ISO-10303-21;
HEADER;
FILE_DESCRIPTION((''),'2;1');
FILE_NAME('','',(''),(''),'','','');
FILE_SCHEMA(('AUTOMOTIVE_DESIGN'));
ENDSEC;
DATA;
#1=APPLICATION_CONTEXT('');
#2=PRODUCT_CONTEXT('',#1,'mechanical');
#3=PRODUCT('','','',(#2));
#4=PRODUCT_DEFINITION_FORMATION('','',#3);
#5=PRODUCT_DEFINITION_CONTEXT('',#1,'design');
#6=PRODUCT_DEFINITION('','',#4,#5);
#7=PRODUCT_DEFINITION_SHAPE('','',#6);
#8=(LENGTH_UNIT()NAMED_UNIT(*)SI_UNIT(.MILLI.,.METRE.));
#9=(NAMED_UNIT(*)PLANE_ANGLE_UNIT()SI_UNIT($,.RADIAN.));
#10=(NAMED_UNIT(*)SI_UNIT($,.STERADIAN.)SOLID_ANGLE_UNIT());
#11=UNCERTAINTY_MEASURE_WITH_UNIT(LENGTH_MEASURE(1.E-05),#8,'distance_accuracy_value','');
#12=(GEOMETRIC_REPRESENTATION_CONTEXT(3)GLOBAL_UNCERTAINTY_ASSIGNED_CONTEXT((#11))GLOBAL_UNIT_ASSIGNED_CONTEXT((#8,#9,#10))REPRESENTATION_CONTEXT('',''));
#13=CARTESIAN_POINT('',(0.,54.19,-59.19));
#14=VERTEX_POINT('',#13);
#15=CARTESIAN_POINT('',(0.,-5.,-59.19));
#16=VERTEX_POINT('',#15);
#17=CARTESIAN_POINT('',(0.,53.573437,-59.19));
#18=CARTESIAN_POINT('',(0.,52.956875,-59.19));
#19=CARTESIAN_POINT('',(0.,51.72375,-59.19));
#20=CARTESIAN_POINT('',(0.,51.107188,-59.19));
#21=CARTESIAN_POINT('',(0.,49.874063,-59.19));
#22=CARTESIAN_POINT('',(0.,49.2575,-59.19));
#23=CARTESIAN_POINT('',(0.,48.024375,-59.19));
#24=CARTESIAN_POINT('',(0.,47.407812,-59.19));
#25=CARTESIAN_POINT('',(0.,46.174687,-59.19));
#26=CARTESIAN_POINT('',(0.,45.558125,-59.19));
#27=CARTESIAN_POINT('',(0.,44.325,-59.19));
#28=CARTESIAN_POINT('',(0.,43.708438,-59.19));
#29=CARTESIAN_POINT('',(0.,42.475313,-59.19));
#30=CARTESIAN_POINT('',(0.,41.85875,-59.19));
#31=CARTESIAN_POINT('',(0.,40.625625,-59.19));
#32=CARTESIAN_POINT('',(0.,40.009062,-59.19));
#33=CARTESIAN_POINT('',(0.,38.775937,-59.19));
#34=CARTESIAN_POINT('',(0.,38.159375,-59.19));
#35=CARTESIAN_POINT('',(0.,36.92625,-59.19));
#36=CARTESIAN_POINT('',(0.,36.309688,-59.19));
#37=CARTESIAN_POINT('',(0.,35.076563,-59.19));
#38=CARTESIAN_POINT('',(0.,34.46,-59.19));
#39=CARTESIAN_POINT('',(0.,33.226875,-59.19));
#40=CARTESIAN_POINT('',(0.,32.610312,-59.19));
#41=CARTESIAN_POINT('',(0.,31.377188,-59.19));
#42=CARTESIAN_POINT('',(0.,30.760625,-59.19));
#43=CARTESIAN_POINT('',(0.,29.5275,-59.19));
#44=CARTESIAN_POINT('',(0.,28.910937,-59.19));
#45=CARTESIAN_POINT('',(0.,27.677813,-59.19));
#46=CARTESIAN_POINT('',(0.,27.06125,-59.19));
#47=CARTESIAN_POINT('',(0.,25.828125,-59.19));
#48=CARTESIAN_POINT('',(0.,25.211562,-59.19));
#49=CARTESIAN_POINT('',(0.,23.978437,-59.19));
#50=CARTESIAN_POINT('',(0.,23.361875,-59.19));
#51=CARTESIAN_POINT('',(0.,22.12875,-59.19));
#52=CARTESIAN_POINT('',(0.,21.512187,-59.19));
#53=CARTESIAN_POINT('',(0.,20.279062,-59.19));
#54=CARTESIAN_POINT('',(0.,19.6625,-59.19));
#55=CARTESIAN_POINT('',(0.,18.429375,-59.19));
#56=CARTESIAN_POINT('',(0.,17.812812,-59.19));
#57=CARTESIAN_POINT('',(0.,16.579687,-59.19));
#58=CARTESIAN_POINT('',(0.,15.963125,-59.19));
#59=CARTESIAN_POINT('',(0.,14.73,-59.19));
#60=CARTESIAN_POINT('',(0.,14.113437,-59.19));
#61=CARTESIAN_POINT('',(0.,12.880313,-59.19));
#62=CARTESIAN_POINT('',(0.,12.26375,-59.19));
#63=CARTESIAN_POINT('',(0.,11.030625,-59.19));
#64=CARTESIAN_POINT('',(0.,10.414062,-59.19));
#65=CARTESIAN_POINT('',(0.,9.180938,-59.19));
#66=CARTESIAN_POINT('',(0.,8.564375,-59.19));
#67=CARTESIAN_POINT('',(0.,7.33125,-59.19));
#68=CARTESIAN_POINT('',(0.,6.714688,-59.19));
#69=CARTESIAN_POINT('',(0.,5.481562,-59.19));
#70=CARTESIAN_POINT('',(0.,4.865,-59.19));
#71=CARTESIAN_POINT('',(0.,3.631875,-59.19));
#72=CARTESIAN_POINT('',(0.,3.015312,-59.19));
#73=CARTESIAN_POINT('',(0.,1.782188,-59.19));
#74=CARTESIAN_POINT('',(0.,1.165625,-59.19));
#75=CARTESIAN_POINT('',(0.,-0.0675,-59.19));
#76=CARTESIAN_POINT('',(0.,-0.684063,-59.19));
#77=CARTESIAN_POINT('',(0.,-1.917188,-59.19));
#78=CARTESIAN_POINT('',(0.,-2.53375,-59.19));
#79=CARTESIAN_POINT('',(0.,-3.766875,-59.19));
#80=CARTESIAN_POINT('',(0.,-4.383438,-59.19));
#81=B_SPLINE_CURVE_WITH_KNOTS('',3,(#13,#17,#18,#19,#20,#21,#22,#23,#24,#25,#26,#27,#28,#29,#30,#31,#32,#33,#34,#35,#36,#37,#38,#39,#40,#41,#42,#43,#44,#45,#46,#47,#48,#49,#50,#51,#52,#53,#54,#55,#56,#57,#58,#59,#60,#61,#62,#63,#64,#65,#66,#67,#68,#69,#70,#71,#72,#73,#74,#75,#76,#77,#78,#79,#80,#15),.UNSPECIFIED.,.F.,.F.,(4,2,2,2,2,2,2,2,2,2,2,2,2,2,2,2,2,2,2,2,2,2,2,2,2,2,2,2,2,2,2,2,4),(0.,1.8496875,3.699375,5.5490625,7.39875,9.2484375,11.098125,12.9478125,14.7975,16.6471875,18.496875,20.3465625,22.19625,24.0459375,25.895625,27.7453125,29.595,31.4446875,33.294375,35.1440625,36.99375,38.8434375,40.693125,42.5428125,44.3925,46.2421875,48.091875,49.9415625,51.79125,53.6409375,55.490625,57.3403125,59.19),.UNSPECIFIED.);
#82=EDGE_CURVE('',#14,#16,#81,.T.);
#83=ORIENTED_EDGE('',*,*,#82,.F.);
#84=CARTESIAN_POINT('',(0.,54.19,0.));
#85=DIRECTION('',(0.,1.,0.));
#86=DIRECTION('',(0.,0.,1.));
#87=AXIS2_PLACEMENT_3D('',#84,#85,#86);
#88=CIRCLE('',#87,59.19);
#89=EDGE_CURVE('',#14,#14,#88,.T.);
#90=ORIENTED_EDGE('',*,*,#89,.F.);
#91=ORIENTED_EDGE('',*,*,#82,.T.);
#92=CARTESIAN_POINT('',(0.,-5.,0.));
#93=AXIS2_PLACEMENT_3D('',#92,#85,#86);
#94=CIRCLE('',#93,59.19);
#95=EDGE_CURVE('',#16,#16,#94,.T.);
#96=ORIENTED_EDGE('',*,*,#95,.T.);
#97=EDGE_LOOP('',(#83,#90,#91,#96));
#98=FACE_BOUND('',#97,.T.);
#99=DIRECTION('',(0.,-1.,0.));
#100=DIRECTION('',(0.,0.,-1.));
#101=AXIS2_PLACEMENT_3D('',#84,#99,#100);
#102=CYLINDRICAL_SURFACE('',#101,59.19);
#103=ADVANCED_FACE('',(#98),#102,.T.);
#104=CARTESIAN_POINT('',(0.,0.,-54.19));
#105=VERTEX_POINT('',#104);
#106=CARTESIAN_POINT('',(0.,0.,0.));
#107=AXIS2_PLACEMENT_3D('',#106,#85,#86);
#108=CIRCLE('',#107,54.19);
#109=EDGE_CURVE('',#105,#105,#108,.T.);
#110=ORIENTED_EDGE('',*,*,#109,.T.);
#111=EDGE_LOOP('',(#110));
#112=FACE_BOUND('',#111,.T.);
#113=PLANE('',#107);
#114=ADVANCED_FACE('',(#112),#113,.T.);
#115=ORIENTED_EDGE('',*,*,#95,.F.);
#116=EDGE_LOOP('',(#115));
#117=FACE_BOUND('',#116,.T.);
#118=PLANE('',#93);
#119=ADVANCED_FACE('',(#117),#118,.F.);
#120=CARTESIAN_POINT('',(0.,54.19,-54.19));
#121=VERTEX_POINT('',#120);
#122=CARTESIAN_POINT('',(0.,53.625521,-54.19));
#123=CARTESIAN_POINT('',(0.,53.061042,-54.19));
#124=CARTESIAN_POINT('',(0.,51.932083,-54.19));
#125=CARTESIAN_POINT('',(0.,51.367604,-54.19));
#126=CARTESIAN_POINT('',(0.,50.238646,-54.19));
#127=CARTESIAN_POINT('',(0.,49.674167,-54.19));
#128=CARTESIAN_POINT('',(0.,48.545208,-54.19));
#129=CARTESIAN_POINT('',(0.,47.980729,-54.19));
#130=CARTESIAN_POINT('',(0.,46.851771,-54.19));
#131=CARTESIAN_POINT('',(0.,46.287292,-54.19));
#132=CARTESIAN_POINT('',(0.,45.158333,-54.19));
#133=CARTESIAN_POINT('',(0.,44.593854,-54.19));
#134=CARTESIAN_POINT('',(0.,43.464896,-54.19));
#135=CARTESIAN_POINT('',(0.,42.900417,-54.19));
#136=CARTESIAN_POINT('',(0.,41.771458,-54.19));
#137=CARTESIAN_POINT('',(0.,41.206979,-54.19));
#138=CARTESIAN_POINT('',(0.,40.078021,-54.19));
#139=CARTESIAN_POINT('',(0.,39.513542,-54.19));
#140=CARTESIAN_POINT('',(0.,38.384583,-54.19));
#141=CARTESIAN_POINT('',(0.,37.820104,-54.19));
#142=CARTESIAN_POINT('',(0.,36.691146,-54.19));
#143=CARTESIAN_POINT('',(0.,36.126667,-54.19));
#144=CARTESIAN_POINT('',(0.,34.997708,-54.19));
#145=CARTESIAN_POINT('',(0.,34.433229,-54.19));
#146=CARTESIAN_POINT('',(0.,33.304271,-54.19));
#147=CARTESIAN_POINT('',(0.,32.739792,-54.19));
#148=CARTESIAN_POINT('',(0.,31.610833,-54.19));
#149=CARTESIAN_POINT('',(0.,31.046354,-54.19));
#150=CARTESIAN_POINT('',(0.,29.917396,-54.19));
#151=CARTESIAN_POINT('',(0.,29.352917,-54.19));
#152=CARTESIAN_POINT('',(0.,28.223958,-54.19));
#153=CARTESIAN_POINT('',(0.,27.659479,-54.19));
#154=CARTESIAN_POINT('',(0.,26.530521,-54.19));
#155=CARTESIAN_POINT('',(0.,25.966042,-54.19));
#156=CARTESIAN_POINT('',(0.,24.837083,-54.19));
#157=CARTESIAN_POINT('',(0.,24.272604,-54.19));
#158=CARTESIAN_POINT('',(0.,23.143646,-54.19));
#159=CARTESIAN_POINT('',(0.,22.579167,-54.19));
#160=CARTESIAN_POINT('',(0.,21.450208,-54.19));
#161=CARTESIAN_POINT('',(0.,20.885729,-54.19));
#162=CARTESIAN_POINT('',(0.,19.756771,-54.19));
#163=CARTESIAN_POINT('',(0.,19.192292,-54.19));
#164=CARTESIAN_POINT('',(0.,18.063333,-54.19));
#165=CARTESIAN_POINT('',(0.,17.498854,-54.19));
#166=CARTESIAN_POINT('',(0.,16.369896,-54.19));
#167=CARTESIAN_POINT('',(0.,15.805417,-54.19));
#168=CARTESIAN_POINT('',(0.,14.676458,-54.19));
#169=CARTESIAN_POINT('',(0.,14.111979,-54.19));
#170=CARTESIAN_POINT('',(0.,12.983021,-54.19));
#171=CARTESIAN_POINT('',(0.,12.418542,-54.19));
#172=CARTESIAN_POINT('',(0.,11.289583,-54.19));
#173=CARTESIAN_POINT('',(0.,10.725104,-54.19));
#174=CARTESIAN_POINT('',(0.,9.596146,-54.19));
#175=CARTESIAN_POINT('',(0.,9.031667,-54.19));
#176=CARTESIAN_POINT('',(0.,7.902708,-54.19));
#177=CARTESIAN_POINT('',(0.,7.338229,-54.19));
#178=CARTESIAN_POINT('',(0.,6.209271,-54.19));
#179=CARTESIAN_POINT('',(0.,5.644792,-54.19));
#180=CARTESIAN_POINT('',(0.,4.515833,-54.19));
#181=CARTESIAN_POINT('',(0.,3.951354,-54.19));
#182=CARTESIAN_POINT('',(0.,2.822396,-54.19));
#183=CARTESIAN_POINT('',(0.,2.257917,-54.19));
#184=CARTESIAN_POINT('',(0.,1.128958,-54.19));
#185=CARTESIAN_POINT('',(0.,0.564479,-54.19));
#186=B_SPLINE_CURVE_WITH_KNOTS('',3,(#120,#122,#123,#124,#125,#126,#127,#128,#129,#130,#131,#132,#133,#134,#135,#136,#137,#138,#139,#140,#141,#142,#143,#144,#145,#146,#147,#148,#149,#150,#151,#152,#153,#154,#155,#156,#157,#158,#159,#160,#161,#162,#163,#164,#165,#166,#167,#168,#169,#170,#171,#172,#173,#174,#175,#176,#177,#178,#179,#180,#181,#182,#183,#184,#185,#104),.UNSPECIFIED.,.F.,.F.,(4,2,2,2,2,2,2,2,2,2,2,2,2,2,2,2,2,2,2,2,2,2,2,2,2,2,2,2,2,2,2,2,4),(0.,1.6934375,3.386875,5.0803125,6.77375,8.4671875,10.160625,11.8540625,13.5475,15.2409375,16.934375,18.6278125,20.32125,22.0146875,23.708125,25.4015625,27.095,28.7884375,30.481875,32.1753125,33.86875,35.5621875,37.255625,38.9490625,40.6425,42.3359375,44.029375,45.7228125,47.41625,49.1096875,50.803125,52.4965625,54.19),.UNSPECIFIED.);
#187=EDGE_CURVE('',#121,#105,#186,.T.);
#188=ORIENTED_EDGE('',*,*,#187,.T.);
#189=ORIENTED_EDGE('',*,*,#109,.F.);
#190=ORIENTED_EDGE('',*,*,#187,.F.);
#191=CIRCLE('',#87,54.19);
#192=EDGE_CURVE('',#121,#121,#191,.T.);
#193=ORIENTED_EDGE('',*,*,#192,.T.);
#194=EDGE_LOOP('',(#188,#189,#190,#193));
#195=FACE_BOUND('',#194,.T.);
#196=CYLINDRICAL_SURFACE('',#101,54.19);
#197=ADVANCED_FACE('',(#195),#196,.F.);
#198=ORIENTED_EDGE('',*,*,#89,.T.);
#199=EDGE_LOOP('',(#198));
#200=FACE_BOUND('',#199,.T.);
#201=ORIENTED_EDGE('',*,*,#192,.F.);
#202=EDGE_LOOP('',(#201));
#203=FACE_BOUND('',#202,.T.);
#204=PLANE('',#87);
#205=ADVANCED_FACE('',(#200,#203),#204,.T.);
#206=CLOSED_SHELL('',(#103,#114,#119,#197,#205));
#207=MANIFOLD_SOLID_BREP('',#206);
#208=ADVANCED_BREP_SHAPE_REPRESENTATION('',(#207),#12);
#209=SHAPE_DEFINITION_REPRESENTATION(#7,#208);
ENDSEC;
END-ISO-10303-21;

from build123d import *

# Parameters (mm, degrees)
SKETCH1_R           = 59.19
SKETCH1_R_2         = 54.19
BOSS_EXTRUDE2_DEPTH = 54.19
BOSS_EXTRUDE3_START = -5
SKETCH1_3_R         = 59.19
BOSS_EXTRUDE3_DEPTH = 5


with BuildPart() as part:
    # Sketch1 → Boss-Extrude2 (new body)
    with BuildSketch(Plane(origin=(0, 0, 0), x_dir=(1, 0, 0), z_dir=(0, 1, 0))):
        Circle(SKETCH1_R)
        Circle(SKETCH1_R_2, mode=Mode.SUBTRACT)
    extrude(amount=BOSS_EXTRUDE2_DEPTH)

    # Sketch1<3> → Boss-Extrude3 (add)
    with BuildSketch(Plane(origin=(0, 0, 0), x_dir=(1, 0, 0), z_dir=(0, 1, 0)).offset(BOSS_EXTRUDE3_START)):
        Circle(SKETCH1_3_R)
    extrude(amount=BOSS_EXTRUDE3_DEPTH)


solid = part.part
